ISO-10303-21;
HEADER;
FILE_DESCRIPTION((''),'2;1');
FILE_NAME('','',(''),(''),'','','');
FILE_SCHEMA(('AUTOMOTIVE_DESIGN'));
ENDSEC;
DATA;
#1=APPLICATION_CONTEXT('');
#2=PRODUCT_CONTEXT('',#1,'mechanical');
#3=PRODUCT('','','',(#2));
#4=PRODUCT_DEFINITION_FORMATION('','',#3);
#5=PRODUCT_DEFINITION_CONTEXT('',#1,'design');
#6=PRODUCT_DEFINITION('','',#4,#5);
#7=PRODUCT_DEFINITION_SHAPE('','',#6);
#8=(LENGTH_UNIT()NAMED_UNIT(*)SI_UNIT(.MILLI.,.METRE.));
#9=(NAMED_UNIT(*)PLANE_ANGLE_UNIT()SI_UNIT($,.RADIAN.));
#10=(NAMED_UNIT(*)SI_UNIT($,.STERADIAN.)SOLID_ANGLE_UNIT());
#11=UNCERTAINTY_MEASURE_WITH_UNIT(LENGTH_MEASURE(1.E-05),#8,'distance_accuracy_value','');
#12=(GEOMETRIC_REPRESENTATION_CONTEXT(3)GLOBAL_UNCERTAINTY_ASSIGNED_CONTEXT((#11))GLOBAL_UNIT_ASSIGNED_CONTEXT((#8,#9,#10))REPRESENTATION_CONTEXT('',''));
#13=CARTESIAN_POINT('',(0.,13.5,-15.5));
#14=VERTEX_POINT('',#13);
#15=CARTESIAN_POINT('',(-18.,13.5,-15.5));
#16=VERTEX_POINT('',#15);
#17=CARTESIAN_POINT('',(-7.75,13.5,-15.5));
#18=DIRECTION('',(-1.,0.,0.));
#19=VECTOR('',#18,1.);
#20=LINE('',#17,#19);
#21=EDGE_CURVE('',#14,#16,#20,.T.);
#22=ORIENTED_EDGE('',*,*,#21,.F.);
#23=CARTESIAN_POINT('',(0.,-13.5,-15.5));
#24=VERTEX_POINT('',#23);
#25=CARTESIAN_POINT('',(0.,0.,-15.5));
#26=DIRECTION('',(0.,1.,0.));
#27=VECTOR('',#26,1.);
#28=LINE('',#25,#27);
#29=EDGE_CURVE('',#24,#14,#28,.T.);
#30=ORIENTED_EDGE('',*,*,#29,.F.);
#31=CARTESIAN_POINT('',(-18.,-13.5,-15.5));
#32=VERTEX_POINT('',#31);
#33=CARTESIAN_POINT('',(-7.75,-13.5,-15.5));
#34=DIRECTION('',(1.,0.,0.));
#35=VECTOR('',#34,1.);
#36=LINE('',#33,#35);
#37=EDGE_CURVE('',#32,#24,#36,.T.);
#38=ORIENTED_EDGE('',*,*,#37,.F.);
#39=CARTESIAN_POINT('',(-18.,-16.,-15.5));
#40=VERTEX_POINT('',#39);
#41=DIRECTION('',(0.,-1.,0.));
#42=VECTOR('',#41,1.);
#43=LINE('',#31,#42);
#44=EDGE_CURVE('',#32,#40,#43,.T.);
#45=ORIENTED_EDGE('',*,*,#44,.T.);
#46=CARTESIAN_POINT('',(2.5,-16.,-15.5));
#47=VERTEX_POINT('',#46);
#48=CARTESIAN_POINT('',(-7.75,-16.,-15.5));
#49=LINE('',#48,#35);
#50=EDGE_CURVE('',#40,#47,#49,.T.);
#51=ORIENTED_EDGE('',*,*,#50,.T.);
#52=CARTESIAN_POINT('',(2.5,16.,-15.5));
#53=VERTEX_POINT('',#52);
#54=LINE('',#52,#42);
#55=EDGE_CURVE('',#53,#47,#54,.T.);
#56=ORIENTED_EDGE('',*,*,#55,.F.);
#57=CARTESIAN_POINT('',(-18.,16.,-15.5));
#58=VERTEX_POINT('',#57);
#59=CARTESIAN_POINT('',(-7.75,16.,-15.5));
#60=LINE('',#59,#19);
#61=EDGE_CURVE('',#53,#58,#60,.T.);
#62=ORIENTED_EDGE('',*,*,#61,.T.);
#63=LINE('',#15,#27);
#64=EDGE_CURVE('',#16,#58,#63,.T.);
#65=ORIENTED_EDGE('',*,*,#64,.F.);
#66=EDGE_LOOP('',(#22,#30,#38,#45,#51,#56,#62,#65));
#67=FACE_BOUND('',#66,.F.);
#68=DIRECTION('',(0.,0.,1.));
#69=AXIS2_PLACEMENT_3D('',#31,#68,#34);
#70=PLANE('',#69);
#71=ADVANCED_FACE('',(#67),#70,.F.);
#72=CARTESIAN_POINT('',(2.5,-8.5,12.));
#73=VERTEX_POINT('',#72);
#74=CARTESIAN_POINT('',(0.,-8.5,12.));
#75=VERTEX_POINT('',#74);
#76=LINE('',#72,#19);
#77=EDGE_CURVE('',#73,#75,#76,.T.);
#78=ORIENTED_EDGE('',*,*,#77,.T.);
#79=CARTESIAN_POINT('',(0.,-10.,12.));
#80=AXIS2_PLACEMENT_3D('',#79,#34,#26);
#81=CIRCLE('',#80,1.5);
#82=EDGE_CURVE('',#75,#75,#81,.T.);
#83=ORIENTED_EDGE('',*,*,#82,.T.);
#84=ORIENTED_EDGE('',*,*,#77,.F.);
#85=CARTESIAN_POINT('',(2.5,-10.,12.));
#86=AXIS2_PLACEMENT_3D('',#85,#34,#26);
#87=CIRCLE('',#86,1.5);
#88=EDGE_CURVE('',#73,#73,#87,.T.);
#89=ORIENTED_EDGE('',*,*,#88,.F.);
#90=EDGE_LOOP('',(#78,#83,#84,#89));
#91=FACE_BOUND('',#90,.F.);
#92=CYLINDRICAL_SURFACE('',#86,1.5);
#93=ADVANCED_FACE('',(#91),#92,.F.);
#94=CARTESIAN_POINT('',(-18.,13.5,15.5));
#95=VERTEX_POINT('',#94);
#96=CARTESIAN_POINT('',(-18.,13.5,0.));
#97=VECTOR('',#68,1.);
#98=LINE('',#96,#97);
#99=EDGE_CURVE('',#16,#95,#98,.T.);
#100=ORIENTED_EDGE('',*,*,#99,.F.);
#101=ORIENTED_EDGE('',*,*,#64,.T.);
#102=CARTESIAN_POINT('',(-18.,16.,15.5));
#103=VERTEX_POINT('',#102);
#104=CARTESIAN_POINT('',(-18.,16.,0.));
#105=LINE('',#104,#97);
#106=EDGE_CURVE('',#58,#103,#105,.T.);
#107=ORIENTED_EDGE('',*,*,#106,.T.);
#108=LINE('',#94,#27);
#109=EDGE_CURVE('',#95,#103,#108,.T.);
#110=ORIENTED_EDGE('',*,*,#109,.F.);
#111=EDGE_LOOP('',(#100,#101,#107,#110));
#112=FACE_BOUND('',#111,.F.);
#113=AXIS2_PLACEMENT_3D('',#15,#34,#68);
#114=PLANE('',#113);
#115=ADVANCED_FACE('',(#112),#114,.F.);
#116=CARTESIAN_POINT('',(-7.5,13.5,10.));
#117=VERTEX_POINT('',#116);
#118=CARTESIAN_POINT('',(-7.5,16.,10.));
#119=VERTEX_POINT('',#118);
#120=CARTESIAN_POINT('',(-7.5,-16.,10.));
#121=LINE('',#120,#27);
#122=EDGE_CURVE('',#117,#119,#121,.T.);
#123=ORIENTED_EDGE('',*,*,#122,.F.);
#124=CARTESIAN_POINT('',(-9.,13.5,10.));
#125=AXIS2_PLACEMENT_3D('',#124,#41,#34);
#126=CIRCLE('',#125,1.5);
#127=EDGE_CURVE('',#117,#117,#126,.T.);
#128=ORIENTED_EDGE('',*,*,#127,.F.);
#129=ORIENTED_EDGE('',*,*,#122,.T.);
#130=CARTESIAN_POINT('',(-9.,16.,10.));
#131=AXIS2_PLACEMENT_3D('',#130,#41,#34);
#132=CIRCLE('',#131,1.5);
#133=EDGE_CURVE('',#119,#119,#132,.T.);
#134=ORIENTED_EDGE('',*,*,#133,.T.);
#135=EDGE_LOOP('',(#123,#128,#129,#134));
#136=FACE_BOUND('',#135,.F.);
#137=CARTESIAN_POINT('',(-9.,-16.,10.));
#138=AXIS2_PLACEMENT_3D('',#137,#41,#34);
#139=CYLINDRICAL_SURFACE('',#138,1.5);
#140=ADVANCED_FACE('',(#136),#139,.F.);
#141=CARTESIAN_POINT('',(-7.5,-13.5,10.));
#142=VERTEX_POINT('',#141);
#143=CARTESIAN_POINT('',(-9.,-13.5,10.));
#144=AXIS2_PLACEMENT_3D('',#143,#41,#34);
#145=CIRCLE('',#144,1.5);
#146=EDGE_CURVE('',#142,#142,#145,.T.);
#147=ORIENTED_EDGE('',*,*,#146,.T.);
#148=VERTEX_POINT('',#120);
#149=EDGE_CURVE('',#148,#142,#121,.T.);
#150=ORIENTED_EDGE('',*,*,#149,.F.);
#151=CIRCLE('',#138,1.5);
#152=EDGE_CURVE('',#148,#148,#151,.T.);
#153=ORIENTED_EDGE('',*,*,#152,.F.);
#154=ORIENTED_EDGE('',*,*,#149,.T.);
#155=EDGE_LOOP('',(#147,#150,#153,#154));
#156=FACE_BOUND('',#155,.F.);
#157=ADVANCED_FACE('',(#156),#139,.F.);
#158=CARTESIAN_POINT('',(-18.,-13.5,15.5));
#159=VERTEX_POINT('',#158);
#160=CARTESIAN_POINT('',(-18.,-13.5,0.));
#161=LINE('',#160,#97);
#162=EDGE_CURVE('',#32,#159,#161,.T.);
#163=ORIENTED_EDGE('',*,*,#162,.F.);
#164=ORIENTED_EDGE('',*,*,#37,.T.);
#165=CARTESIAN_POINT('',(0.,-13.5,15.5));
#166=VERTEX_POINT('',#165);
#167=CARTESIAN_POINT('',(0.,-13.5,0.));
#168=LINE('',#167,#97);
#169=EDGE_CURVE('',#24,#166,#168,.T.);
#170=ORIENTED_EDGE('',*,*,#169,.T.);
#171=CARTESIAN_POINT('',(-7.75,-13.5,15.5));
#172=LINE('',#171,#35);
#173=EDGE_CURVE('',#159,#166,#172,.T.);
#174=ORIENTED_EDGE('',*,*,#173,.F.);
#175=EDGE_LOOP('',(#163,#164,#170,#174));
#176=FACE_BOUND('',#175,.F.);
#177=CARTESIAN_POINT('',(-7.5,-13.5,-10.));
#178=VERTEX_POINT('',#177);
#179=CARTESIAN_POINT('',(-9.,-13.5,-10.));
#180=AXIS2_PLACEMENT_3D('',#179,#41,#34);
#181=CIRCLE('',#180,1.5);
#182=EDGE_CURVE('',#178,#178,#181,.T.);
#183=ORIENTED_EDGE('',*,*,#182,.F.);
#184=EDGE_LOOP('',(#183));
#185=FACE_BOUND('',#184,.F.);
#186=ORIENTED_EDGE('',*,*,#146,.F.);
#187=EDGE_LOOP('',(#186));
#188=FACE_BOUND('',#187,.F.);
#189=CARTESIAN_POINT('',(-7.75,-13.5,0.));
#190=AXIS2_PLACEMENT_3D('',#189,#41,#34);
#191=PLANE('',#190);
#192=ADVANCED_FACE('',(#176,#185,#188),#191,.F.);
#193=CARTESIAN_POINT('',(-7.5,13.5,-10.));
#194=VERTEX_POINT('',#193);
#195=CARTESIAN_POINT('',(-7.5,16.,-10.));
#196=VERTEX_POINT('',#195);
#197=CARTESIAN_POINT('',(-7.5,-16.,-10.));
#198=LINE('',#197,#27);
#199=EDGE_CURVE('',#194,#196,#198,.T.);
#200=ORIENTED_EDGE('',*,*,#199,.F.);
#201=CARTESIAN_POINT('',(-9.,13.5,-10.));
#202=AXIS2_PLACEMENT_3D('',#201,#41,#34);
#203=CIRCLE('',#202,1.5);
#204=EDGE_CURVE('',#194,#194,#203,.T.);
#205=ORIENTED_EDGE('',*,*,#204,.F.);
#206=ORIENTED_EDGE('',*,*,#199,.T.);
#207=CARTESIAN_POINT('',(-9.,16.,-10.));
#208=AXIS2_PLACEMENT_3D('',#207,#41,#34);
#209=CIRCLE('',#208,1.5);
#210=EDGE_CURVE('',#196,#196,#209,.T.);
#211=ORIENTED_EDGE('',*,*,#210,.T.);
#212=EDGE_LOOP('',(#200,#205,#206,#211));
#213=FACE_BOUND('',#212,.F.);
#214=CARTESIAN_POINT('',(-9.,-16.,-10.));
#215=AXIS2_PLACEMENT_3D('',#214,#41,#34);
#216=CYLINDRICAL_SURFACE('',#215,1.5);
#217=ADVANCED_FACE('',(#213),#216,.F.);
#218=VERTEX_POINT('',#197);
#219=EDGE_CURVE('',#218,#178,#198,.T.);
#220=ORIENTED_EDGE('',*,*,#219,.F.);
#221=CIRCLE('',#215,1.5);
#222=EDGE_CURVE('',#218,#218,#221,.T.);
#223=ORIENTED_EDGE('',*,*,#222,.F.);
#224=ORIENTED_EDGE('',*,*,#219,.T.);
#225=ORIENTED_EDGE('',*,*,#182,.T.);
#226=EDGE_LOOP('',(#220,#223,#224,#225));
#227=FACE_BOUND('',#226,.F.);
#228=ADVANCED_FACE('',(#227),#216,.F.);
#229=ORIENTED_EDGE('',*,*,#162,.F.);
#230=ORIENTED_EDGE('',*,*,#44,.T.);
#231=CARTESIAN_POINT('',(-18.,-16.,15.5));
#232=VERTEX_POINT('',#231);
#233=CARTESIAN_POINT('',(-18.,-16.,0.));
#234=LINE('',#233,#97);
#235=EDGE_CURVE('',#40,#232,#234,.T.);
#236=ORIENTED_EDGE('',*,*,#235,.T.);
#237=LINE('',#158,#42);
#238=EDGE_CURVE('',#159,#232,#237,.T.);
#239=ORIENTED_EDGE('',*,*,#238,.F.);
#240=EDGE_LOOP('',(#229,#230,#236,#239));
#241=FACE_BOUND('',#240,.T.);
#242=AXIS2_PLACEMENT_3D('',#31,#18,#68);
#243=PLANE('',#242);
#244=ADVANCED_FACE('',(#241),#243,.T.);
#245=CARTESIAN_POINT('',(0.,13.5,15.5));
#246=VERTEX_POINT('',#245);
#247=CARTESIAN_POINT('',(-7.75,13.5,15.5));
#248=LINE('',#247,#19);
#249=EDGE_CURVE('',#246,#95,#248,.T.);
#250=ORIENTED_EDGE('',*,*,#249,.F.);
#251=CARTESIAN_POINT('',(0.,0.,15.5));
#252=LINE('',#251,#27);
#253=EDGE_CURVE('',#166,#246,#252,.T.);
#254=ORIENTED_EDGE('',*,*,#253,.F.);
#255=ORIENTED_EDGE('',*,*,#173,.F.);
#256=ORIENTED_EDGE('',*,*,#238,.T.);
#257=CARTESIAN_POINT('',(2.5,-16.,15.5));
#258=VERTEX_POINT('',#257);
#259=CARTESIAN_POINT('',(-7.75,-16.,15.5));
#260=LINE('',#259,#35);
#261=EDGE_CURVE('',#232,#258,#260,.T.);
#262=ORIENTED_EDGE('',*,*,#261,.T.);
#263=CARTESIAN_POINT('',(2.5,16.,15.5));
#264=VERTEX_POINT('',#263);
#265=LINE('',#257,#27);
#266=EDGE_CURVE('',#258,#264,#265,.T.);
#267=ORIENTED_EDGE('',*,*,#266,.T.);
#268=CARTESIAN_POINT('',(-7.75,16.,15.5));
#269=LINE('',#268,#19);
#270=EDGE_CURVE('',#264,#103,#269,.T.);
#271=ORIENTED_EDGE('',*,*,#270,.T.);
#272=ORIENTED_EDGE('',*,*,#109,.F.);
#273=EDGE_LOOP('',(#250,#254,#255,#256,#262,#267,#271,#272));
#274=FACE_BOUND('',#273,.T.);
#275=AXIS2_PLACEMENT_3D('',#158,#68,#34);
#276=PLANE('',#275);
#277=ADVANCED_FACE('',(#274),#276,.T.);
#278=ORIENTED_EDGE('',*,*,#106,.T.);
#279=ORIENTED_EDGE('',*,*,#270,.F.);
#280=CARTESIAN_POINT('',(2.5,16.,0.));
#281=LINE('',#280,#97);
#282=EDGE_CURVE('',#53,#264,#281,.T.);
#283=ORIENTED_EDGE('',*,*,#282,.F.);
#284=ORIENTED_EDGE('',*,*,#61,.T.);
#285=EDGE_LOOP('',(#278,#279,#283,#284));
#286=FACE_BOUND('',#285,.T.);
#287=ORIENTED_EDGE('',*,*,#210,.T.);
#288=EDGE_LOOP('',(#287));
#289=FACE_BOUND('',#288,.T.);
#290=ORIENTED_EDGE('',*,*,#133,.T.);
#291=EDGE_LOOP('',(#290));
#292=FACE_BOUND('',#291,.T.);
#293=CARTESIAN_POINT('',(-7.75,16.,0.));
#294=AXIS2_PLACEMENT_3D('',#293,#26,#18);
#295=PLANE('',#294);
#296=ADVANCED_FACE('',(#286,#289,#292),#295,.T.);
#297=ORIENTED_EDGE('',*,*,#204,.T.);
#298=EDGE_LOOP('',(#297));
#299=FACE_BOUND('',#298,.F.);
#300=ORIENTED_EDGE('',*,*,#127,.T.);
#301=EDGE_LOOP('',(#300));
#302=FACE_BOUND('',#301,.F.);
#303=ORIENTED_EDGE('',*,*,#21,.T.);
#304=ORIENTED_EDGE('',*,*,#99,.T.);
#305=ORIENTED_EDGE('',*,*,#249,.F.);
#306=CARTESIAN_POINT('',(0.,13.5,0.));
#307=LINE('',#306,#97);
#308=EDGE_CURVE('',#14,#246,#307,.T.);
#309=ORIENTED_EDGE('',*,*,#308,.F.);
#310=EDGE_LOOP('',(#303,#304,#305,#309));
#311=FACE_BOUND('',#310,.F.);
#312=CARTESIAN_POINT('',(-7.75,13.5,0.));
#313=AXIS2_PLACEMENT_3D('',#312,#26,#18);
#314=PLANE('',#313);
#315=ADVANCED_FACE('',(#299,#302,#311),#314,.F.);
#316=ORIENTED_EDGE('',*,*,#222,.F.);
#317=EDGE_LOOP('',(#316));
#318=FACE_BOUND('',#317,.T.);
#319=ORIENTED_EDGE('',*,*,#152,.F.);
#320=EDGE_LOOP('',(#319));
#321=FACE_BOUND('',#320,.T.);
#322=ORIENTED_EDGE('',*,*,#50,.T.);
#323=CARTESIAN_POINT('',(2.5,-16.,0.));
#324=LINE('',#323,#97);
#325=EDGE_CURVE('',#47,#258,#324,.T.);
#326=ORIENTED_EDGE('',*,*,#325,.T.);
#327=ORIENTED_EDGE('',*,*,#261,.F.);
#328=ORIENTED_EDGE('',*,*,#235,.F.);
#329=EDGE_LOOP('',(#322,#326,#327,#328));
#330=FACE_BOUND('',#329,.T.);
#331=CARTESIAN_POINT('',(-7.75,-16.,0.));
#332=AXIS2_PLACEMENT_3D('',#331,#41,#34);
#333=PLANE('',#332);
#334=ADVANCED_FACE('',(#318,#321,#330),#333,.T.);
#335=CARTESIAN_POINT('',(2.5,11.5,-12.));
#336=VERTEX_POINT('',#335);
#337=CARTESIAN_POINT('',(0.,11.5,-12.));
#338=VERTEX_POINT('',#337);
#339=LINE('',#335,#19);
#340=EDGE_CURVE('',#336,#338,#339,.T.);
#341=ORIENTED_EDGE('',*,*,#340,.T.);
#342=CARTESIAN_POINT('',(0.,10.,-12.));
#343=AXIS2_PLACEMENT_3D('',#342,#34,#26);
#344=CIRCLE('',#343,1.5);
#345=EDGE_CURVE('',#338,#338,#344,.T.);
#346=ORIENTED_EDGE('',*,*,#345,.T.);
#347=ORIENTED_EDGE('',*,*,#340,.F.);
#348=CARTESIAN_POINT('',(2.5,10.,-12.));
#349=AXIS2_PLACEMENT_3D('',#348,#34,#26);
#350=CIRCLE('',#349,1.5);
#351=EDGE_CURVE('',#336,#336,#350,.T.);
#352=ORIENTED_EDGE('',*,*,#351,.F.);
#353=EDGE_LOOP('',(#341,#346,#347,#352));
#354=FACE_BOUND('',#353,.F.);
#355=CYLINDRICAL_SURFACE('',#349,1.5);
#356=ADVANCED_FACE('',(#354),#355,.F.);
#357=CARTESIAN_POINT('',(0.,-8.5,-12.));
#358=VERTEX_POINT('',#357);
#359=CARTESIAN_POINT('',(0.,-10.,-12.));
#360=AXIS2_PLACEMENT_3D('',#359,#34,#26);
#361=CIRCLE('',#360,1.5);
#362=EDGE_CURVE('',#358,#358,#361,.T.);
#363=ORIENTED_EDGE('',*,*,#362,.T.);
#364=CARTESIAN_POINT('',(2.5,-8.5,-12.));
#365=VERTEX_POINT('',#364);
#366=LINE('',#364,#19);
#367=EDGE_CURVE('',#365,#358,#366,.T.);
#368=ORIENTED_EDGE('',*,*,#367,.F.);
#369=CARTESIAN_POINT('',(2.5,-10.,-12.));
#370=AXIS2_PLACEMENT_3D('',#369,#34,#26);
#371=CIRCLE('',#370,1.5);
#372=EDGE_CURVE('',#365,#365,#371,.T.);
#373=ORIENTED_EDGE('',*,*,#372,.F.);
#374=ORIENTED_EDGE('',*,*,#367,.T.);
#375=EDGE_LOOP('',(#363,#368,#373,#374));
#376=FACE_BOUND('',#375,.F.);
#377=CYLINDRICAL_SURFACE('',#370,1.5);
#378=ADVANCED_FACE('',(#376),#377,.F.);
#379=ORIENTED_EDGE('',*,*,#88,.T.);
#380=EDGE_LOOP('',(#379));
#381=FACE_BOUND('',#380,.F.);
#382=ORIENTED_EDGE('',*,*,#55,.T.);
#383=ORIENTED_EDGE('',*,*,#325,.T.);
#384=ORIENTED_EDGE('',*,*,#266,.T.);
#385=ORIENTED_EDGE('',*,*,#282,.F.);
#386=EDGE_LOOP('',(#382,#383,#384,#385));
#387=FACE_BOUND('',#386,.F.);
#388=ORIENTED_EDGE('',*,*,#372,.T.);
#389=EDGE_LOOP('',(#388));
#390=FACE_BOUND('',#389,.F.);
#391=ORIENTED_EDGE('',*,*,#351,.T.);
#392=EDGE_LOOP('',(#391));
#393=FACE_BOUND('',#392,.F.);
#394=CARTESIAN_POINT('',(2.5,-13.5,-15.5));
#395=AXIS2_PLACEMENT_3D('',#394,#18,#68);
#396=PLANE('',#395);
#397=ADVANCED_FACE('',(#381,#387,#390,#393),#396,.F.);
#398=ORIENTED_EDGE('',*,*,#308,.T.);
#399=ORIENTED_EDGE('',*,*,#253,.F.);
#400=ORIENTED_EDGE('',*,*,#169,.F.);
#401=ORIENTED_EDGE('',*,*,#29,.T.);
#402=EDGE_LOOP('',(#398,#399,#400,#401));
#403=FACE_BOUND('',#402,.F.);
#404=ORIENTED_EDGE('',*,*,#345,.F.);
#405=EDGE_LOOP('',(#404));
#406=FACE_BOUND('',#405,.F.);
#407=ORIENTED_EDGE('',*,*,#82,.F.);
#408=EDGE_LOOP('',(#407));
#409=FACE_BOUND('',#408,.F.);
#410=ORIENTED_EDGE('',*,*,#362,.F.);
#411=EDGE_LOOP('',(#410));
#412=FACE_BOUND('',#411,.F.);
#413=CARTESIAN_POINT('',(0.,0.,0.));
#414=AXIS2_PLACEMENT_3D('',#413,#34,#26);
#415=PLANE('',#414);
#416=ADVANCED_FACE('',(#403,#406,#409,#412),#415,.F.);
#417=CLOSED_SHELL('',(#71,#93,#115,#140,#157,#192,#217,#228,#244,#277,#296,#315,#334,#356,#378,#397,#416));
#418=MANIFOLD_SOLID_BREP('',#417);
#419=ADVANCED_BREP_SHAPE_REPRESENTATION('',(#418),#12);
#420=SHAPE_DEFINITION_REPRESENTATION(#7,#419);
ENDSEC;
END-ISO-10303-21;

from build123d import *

# Parameters (mm, degrees)
F0_W     = 27
F0_H     = 31
F1_DEPTH = 2.5
F2_W     = 20.5
F2_H     = 31
F3_DEPTH = 2.5
F4_W     = 20.5
F4_H     = 31
F5_DEPTH = 2.5
F6_R     = 1.5
F7_DEPTH = 20.501
F8_R     = 1.5
F9_DEPTH = 32.001


with BuildPart() as f1:
    # F0 (on Right) → F1 (new body)
    with BuildSketch(Plane.YZ):
        Rectangle(F0_W, F0_H)
    extrude(amount=F1_DEPTH)

    # F2 (on face) → F3 (join)
    with BuildSketch(Plane(origin=(0, 13.5, 0), x_dir=(-1, 0, 0), z_dir=(0, 1, 0))):
        with Locations((7.75, 0)):
            Rectangle(F2_W, F2_H)
    extrude(amount=F3_DEPTH)

    # F4 (on face) → F5 (join)
    with BuildSketch(Plane.XZ.offset(13.5)):
        with Locations((-7.75, 0)):
            Rectangle(F4_W, F4_H)
    extrude(amount=F5_DEPTH)

    # F6 (on face) → F7 (cut, through all)
    with BuildSketch(Plane.YZ.offset(2.5)):
        with Locations((-10, -12)):
            Circle(F6_R)
        with Locations((-10, 12)):
            Circle(F6_R)
        with Locations((10, -12)):
            Circle(F6_R)
    extrude(amount=-F7_DEPTH, mode=Mode.SUBTRACT)

    # F8 (on face) → F9 (cut, through all)
    with BuildSketch(Plane.XZ.offset(16)):
        with Locations((-9, 10)):
            Circle(F8_R)
        with Locations((-9, -10)):
            Circle(F8_R)
    extrude(amount=-F9_DEPTH, mode=Mode.SUBTRACT)


solid = f1.part
